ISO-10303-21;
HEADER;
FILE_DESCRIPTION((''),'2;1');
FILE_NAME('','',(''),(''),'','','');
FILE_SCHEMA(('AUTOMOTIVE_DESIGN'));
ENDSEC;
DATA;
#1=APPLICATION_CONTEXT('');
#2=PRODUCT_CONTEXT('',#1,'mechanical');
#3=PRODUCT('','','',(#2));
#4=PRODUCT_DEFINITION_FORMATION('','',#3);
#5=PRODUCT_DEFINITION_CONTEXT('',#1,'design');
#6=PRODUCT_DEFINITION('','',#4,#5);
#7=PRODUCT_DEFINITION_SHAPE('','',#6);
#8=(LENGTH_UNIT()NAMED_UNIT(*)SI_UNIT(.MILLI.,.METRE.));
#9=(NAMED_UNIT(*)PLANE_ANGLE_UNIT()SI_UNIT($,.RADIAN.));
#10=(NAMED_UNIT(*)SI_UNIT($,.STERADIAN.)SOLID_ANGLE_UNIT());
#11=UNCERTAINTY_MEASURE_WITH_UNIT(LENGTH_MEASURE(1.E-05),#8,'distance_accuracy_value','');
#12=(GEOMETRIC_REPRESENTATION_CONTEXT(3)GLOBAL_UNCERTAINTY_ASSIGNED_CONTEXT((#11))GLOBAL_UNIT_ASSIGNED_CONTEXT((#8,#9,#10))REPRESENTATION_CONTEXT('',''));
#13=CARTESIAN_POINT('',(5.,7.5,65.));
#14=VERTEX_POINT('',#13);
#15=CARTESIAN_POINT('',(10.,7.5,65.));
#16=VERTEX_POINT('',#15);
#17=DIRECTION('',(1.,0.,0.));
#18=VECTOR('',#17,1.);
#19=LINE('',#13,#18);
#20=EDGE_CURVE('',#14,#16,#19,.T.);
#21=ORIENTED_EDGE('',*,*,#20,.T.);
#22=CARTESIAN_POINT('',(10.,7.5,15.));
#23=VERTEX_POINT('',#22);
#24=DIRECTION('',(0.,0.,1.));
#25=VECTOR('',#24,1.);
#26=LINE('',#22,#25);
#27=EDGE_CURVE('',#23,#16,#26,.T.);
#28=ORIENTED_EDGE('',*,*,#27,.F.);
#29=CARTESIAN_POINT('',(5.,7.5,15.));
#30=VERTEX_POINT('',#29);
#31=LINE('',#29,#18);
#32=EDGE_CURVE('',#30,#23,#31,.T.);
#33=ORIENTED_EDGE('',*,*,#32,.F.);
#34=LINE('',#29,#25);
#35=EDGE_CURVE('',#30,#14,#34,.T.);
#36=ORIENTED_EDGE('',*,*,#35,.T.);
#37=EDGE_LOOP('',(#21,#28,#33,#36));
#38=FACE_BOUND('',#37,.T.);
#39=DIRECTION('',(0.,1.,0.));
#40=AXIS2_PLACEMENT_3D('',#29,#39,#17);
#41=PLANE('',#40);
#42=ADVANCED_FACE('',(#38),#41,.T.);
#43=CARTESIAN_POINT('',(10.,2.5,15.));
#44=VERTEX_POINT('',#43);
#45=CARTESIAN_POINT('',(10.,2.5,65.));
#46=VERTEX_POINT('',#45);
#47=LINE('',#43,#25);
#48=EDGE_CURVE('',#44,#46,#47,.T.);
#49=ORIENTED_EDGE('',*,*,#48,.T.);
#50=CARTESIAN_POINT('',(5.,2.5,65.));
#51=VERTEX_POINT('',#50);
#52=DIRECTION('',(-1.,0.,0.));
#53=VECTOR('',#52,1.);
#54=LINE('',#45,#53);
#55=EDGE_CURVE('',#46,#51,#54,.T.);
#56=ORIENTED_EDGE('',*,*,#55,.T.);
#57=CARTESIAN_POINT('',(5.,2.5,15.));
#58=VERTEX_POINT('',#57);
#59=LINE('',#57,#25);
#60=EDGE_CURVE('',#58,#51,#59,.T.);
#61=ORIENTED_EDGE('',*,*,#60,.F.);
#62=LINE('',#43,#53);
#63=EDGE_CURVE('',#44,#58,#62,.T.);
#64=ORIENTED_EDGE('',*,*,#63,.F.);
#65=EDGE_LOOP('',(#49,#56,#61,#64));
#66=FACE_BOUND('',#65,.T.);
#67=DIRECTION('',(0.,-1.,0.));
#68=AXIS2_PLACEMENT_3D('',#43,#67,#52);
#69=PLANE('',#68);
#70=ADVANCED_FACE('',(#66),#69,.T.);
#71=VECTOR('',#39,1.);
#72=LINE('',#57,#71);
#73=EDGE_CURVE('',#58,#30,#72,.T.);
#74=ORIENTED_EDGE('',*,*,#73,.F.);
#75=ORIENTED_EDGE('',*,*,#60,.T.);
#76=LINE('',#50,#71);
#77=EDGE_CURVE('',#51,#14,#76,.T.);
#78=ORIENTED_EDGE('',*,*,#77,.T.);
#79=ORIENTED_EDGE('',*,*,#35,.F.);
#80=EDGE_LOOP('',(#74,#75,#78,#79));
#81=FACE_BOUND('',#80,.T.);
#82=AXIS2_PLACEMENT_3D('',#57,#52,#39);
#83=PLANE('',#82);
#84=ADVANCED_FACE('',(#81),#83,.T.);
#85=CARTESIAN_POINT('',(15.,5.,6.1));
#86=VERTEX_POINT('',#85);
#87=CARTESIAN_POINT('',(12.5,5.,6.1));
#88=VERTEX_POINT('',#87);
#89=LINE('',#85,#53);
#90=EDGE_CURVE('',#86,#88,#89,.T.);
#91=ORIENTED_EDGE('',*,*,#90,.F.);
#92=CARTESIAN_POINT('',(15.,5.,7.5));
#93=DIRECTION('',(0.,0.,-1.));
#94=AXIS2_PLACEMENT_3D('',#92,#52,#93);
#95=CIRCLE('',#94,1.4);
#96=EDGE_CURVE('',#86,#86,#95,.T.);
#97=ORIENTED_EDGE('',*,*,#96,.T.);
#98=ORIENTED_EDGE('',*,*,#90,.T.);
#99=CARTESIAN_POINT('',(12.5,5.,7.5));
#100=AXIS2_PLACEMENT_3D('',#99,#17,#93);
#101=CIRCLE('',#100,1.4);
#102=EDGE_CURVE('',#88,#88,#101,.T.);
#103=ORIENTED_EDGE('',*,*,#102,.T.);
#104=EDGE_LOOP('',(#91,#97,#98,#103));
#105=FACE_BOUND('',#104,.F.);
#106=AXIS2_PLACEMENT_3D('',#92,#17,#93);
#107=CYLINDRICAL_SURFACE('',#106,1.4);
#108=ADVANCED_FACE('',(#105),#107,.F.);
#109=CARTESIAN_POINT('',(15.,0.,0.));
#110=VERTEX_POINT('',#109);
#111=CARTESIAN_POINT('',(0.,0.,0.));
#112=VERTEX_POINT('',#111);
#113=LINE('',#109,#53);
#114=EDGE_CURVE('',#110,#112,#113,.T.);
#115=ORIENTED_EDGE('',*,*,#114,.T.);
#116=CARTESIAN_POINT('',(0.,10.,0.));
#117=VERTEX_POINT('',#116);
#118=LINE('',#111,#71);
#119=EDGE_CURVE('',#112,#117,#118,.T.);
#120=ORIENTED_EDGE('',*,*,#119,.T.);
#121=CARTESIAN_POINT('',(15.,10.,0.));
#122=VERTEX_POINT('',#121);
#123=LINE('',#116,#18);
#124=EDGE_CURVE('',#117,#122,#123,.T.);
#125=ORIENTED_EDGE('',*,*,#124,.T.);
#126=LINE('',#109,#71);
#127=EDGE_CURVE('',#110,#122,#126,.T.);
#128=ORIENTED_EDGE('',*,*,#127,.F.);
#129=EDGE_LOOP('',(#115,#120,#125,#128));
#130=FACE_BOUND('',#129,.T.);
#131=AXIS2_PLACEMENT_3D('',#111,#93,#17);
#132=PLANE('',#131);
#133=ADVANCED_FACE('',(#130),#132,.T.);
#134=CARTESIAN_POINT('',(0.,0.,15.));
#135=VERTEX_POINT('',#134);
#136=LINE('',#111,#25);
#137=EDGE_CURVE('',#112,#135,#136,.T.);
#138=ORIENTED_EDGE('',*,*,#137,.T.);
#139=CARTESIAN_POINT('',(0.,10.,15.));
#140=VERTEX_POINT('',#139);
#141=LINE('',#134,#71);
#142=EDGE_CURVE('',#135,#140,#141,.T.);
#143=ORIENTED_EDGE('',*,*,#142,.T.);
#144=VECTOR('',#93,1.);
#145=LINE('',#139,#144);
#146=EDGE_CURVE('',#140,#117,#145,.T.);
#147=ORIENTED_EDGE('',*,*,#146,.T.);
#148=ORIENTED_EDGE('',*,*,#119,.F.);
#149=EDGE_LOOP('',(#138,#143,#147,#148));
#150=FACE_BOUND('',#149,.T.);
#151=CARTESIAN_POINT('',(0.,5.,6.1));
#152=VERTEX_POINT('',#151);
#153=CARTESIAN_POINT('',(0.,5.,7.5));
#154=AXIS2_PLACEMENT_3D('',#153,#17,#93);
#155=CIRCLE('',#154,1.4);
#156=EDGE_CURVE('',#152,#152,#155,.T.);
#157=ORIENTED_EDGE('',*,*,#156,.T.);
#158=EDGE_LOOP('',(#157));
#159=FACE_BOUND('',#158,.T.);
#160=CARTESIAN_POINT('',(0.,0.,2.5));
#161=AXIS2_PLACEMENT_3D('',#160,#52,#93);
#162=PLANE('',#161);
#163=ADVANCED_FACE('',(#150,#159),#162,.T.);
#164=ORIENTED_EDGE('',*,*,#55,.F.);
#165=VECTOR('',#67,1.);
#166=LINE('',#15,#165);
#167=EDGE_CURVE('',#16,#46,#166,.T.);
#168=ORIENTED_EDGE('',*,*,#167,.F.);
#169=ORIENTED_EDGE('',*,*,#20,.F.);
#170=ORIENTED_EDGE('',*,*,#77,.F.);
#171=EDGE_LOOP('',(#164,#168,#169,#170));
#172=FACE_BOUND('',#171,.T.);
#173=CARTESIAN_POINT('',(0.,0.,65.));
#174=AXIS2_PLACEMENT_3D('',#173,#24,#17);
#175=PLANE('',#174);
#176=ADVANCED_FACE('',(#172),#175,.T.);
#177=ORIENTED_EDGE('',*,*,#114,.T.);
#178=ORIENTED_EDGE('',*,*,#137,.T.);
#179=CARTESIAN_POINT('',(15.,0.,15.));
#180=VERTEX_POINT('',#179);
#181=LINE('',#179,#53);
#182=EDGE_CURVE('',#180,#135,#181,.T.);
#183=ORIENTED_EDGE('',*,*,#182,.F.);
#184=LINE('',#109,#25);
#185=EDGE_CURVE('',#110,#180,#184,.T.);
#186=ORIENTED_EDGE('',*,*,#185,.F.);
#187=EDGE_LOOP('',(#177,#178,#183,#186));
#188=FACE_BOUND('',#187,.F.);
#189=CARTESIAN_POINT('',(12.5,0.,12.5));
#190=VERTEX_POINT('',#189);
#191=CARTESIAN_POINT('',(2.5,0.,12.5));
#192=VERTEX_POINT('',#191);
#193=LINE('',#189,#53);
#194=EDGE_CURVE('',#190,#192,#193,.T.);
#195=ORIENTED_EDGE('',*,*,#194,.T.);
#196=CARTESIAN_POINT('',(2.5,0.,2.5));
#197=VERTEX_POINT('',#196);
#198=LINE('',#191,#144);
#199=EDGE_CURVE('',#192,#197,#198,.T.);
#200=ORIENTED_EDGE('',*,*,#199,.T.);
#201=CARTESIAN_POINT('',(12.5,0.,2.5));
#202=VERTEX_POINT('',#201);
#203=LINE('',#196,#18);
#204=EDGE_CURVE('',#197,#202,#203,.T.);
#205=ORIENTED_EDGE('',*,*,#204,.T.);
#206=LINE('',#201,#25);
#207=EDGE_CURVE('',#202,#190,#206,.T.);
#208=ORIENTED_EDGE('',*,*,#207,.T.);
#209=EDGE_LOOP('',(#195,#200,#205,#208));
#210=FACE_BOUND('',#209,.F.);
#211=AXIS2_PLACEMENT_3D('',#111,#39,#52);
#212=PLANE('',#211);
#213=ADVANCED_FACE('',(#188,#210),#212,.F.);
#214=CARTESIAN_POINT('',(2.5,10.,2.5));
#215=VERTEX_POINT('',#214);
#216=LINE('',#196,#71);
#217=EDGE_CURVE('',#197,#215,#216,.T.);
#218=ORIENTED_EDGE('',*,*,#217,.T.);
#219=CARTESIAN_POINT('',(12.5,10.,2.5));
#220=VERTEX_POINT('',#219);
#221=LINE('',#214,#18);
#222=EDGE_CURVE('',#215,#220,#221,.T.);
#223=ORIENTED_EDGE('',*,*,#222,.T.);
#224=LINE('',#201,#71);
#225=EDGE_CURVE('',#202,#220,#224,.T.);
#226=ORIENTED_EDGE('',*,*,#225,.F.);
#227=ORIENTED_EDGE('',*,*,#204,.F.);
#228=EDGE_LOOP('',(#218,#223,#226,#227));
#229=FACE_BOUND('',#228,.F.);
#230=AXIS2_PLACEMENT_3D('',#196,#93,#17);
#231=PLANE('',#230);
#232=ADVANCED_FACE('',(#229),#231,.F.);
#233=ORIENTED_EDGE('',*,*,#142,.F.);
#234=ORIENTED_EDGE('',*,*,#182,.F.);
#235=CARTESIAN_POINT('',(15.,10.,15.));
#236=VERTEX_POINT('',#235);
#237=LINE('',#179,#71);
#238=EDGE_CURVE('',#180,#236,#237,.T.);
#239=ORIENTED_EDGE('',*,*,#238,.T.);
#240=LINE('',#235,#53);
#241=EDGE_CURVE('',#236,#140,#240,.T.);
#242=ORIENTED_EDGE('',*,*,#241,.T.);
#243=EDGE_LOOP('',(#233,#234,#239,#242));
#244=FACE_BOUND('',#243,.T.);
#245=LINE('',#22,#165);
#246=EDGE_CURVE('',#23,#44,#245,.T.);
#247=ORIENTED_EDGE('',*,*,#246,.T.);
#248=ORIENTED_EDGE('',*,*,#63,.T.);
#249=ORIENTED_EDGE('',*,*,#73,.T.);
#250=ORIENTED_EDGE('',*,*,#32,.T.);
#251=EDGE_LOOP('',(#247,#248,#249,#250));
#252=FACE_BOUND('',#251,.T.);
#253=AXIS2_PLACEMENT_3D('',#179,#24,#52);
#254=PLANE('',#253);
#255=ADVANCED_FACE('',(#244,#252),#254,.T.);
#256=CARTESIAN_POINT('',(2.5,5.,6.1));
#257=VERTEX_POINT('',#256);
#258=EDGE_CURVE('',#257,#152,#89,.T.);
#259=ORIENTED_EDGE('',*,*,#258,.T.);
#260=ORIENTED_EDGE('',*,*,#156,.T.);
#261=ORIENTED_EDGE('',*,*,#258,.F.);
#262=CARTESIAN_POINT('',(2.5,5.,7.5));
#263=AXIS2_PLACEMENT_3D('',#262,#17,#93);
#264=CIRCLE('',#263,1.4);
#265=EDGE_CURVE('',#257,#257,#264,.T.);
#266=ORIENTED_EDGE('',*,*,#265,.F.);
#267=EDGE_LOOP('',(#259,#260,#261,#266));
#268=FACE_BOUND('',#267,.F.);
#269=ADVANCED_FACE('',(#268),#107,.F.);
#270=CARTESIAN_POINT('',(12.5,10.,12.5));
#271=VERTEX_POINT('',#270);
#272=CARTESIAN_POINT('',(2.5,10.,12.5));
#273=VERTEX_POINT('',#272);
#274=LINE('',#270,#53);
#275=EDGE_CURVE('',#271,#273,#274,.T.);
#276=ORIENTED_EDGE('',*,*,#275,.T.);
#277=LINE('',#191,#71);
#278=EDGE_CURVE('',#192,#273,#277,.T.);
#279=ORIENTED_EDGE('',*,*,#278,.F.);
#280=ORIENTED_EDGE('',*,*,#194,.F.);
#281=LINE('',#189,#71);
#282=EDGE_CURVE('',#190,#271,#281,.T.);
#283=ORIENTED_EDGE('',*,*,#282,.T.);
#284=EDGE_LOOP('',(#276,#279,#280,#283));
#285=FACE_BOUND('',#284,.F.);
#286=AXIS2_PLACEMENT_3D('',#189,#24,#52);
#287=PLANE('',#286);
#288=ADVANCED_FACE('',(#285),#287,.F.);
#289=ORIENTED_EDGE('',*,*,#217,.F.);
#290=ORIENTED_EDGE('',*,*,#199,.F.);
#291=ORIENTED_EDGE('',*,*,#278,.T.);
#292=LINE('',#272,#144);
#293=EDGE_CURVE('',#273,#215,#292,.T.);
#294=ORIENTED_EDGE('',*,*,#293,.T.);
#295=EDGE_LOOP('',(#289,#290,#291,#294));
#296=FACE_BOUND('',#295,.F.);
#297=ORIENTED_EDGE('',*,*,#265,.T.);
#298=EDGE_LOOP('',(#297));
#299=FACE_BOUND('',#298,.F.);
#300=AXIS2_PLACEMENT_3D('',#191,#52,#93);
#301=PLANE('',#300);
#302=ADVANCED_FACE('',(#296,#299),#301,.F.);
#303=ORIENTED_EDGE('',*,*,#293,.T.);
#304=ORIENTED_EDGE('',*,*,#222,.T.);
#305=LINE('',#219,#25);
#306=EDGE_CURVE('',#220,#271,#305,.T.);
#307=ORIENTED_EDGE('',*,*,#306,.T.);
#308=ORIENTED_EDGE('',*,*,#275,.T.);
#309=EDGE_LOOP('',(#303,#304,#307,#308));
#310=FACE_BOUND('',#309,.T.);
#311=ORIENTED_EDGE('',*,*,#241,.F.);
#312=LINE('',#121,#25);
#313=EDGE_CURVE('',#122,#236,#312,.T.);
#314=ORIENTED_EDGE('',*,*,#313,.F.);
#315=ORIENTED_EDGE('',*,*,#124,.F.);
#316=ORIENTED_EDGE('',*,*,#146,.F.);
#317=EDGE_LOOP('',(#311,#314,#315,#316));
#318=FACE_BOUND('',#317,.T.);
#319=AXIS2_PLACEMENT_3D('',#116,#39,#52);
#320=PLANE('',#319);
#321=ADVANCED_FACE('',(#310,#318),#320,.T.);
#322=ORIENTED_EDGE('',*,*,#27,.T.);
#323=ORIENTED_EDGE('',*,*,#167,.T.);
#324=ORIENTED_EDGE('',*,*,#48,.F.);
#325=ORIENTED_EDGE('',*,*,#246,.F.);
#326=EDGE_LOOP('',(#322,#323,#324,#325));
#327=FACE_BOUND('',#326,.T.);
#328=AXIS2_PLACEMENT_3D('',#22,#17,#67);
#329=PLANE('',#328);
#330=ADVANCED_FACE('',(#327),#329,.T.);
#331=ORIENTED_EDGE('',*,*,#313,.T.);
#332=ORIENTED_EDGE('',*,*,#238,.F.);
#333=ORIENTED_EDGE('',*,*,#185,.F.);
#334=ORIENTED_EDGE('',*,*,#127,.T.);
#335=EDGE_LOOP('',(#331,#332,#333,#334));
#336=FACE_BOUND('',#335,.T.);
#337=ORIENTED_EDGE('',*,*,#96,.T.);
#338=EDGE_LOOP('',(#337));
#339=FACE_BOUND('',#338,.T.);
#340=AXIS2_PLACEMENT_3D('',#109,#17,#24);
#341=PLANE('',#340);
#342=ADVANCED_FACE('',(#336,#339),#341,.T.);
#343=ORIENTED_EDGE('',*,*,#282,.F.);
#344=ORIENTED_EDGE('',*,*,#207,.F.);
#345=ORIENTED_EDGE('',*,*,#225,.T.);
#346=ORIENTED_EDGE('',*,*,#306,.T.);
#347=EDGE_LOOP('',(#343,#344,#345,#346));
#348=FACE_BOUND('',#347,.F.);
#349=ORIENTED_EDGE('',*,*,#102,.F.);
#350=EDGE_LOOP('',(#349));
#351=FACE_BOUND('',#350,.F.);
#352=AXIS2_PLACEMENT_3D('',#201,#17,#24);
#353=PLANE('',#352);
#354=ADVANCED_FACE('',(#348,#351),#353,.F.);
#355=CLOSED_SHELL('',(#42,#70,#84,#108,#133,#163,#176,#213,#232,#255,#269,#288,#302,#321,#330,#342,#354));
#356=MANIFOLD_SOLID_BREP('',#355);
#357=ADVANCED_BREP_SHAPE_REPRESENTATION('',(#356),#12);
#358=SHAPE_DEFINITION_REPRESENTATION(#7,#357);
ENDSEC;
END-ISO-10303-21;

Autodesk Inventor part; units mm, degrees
ref_plane "YZ Plane" through (0, 0, 0) normal (1, 0, 0) x (0, 1, 0)
ref_plane "XZ Plane" through (0, 0, 0) normal (0, 1, 0) x (-1, 0, 0)
ref_plane "XY Plane" through (0, 0, 0) normal (0, 0, 1) x (1, 0, 0)
sketch "Sketch1" plane through (0, 0, 0) normal (0, 1, 0) x (-1, 0, 0)
  line L0 (0, 0) -> (-15, 0)
  line L1 (-15, 0) -> (-15, 15)
  line L2 (-15, 15) -> (0, 15)
  line L3 (0, 15) -> (0, 0)
  line L4 (0, 0) -> (-2.5, 0)
  line L5 (-2.5, 0) -> (-2.5, 2.5)
  line L6 (-2.5, 2.5) -> (0, 2.5)
  line L7 (0, 2.5) -> (0, 0)
  line L8 (-2.5, 2.5) -> (-12.5, 2.5)
  line L9 (-12.5, 2.5) -> (-12.5, 12.5)
  line L10 (-12.5, 12.5) -> (-2.5, 12.5)
  line L11 (-2.5, 12.5) -> (-2.5, 2.5)
  dimension "d0" = 15
  dimension "d1" = 15
  dimension "d2" = 2.5
  dimension "d3" = 2.5
  dimension "d4" = 10
  dimension "d5" = 10
extrude "Extrusion1" add sketch "Sketch1" along normal blind 10
sketch "Sketch2" plane through (15, 0, 15) normal (1, 0, 0) x (0, 0, -1)
  line L0 (15, 0) -> (15, 10) projected
  line L1 (0, 10) -> (15, 10)
  line L2 (15, 10) -> (15, 0)
  line L3 (15, 0) -> (0, 0)
  line L4 (0, 0) -> (0, 10)
  line L5 (0, 0) -> (0, 10) projected
  line L6 (0, 10) -> (7.5, 10)
  line L7 (7.5, 10) -> (7.5, 5)
  line L8 (7.5, 5) -> (0, 5)
  line L9 (0, 5) -> (0, 10)
  circle A0 centre (7.5, 5) radius 1.4
  dimension "d8" = 7.5
  dimension "d9" = 5
  dimension "d10" = 2.8
extrude "Extrusion2" cut sketch "Sketch2" against normal through all contours A0 L8 L7 | L7 L8 A0
sketch "Sketch3" plane through (0, 0, 15) normal (0, 0, 1) x (1, 0, 0)
  line L0 (15, 10) -> (0, 10) projected
  line L1 (15, 0) -> (0, 0) projected
  line L2 (0, 10) -> (15, 10)
  line L3 (15, 10) -> (15, 0)
  line L4 (15, 0) -> (0, 0)
  line L5 (0, 0) -> (0, 10)
  line L6 (0, 10) -> (5, 10)
  line L7 (5, 10) -> (5, 7.5)
  line L8 (5, 7.5) -> (0, 7.5)
  line L9 (0, 7.5) -> (0, 10)
  line L10 (5, 7.5) -> (10, 7.5)
  line L11 (10, 7.5) -> (10, 2.5)
  line L12 (10, 2.5) -> (5, 2.5)
  line L13 (5, 2.5) -> (5, 7.5)
  dimension "d13" = 5
  dimension "d14" = 2.5
  dimension "d15" = 5
  dimension "d16" = 5
extrude "Extrusion3" add sketch "Sketch3" along normal blind 50 contours L10 L11 L12 L13
properties part number "CAM02"
